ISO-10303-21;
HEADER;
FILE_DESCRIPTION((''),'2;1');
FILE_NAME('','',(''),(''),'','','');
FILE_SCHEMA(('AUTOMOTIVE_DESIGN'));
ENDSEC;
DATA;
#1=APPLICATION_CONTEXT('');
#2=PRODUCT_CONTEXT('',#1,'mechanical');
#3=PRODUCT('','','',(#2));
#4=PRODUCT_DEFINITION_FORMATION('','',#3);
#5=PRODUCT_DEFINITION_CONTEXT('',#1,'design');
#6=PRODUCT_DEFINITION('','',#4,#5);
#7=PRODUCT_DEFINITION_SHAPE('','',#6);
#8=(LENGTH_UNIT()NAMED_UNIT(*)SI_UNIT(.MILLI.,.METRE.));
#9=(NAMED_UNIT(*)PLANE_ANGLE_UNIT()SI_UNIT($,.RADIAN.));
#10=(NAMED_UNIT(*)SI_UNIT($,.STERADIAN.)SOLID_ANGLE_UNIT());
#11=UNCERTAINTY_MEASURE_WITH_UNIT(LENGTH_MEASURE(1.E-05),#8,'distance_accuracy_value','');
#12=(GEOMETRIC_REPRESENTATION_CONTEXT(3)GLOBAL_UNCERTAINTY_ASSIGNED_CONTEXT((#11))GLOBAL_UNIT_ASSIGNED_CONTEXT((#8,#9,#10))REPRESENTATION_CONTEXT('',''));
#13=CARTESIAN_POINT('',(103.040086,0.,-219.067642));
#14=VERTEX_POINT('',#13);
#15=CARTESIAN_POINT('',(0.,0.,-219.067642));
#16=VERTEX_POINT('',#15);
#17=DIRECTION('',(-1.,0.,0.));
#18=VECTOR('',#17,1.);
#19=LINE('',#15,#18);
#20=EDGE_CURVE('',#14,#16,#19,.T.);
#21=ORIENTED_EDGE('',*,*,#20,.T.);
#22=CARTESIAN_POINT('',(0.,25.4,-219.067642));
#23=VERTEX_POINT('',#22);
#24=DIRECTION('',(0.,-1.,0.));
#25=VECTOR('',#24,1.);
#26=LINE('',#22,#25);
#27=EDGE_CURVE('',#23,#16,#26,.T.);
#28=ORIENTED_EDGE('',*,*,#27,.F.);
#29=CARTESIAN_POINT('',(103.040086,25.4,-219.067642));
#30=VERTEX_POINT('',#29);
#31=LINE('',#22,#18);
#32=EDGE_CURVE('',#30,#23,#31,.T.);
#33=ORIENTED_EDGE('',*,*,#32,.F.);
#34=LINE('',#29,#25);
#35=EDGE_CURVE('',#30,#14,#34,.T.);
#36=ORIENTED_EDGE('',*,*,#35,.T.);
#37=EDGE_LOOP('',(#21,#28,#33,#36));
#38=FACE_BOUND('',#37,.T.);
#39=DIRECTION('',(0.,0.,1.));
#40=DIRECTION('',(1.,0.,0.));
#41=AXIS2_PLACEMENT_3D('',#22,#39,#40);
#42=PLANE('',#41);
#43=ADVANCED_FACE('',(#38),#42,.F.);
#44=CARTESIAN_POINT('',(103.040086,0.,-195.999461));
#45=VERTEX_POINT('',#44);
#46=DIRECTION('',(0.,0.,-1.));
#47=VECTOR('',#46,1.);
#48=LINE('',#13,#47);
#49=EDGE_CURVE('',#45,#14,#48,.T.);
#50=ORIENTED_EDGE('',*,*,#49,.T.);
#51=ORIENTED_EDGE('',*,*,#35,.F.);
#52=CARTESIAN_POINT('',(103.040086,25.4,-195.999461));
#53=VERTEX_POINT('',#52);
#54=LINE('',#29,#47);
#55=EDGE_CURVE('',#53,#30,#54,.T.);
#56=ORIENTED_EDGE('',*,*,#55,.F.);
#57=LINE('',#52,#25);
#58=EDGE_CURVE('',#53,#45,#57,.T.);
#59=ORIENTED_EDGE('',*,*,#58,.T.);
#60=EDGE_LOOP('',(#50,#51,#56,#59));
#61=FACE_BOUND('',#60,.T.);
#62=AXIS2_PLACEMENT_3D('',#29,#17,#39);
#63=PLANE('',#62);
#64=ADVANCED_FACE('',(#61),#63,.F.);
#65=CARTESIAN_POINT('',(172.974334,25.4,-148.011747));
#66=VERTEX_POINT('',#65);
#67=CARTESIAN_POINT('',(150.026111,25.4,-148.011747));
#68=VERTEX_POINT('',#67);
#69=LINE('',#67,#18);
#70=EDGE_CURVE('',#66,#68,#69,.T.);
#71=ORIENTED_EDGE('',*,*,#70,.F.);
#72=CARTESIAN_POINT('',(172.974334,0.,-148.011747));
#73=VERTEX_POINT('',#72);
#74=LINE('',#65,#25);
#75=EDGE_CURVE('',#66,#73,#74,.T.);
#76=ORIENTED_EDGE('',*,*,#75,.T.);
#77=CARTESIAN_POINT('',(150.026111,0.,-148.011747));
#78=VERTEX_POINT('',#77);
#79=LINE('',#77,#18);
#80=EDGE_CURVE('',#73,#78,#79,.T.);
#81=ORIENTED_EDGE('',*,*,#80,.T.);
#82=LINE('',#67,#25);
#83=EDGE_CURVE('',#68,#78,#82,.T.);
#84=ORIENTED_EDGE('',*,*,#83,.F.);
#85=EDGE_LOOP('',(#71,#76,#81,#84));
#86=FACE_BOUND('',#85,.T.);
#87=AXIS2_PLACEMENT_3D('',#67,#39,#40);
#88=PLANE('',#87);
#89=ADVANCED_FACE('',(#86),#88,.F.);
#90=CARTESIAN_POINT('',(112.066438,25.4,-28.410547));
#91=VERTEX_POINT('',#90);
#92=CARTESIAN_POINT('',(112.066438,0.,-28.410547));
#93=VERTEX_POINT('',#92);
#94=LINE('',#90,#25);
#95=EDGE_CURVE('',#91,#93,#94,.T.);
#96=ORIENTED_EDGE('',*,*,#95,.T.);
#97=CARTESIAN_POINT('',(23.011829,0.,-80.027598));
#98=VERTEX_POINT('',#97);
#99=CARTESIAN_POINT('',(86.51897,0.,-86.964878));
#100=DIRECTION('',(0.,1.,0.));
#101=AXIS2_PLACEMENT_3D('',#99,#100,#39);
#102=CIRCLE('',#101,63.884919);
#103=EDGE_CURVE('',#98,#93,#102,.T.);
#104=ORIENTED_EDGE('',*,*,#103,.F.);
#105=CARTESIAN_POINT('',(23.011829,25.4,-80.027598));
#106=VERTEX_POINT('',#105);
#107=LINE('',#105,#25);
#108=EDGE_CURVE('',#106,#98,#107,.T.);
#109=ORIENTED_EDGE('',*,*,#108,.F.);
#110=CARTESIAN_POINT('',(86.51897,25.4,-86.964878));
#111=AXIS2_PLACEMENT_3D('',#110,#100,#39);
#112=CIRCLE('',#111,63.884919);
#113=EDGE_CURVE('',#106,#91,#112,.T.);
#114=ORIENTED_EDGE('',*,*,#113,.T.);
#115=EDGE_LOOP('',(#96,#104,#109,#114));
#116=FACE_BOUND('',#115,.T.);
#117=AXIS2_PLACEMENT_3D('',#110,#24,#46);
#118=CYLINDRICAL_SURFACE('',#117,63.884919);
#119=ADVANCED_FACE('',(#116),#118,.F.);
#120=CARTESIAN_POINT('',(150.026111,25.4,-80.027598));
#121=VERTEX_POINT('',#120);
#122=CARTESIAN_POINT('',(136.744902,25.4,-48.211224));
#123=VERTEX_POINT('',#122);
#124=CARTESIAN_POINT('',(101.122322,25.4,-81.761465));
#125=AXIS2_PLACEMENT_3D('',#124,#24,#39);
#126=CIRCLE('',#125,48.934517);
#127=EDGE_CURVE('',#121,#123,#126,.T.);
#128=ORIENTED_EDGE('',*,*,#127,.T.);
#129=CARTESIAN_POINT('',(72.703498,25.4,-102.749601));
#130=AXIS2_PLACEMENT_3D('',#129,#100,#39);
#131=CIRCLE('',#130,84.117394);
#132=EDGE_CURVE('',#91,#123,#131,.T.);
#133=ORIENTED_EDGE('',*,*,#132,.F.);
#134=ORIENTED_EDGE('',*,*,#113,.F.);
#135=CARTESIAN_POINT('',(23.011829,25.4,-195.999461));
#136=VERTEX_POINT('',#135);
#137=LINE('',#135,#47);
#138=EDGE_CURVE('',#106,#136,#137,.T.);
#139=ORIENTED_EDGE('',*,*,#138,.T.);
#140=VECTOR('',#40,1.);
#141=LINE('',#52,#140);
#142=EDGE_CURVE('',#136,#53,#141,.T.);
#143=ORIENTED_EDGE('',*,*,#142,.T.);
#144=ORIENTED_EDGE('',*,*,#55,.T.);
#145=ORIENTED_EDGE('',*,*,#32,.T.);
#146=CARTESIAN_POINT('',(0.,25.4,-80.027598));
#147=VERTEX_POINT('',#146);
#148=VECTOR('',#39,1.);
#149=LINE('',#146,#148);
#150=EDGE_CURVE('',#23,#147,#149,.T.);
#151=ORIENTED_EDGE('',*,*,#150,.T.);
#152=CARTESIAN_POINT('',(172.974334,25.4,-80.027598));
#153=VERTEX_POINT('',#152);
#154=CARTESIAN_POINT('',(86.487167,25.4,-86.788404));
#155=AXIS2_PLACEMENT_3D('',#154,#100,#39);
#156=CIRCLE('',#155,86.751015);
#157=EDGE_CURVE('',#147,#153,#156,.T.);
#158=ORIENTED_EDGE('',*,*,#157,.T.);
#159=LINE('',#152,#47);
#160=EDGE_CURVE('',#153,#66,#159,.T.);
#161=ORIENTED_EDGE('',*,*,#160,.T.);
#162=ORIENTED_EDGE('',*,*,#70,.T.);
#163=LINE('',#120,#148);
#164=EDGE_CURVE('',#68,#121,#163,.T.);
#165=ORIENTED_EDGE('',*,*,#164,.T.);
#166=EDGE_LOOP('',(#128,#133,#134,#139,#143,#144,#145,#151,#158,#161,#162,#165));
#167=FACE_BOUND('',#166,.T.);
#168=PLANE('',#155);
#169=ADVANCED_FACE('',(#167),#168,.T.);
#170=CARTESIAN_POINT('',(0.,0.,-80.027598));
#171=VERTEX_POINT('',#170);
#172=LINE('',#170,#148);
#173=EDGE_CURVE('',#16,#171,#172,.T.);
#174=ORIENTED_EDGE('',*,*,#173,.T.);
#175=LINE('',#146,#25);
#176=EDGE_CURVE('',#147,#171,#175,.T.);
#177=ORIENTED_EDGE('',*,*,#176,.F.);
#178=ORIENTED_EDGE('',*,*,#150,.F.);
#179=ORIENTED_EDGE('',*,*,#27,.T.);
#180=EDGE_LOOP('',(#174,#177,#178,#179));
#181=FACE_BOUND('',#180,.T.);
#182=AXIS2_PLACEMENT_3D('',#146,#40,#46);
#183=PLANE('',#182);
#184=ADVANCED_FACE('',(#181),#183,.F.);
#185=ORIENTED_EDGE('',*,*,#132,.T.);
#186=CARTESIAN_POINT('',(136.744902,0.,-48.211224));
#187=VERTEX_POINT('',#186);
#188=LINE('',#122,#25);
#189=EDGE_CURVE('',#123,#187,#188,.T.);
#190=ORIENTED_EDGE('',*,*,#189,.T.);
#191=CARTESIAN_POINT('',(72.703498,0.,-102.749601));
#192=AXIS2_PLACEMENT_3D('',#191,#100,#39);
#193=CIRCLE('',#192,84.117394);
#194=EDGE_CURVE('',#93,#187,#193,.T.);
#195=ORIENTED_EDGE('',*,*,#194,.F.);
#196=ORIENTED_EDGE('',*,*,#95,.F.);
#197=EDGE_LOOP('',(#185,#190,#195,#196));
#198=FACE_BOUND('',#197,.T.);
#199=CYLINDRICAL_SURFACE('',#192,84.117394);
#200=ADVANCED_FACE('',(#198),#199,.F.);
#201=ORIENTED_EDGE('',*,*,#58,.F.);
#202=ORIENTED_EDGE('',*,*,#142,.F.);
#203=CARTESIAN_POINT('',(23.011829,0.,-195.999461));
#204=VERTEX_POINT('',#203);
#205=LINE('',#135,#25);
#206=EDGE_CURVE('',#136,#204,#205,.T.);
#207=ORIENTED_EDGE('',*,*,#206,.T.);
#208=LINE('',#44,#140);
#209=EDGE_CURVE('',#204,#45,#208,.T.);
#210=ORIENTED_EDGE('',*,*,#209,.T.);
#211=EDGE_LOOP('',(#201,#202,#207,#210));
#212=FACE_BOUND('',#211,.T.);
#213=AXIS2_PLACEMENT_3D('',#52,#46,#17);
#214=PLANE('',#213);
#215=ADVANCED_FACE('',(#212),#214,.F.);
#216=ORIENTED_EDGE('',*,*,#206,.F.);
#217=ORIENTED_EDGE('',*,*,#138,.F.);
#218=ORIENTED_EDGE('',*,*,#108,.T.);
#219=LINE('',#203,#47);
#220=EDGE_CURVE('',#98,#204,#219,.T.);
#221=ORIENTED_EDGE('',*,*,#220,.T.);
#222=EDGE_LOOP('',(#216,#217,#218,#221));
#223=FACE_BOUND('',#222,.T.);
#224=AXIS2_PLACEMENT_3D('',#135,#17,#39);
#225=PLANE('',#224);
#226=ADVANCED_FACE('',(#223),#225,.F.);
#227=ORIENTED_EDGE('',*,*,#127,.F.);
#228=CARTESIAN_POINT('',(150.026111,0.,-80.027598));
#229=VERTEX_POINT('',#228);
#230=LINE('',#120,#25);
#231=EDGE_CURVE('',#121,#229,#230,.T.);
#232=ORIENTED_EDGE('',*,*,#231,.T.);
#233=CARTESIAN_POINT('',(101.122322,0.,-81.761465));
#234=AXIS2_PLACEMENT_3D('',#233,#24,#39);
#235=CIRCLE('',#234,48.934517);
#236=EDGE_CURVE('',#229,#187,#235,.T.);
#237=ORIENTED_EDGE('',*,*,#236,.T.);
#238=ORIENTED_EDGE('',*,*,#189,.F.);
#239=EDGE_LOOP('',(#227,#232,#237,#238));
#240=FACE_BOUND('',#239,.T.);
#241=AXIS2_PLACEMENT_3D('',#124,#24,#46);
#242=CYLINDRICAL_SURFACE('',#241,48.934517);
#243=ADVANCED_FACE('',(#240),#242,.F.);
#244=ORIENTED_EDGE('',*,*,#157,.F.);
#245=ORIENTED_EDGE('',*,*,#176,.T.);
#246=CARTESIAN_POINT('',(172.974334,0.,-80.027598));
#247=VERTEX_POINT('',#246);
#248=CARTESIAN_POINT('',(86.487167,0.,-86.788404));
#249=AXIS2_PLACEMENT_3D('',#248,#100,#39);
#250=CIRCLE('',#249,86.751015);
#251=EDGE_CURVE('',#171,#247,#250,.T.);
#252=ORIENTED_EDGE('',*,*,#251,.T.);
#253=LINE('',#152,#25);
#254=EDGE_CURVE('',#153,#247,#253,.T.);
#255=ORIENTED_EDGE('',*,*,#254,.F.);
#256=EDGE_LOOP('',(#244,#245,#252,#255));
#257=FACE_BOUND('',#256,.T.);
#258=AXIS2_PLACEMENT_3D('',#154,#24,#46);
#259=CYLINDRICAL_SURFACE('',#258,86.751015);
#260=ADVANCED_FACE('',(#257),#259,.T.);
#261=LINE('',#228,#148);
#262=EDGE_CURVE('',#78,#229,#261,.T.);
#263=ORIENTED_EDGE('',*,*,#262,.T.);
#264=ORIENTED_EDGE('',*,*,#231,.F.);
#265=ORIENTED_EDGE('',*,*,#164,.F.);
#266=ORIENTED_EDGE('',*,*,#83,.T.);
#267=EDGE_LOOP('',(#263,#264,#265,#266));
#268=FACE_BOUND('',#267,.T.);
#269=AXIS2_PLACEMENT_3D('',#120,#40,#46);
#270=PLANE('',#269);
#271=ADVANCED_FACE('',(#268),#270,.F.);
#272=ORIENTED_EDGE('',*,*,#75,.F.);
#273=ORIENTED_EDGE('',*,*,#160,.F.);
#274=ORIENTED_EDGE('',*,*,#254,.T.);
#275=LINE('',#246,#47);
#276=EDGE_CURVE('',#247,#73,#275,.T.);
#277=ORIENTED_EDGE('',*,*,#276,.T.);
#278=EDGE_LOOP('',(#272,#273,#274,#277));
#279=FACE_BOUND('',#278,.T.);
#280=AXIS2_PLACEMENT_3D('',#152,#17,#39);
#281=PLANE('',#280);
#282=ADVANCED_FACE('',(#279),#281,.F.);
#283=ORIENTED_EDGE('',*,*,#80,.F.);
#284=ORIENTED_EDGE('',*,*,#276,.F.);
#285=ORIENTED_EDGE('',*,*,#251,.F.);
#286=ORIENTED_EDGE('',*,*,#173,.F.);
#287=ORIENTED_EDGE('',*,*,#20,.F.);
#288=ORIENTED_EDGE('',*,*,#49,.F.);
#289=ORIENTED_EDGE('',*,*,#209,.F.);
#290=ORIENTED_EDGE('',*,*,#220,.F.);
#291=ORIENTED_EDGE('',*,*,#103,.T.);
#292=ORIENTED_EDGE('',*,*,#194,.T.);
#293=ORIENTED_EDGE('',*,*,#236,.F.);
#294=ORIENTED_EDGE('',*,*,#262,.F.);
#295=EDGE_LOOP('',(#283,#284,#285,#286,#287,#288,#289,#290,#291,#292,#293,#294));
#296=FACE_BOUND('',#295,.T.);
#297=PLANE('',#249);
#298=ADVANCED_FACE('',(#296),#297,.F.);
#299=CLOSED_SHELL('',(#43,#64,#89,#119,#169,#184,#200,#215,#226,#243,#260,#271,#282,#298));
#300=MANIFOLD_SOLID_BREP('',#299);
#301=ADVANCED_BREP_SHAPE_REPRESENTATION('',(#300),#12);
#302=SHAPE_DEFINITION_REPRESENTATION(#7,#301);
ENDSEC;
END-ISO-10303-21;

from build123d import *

# Parameters (mm, degrees)
BOSS_EXTRUDE1_DEPTH     = 25.4
BOSS_EXTRUDE1_2_DEPTH   = 25.4
CUT_EXTRUDE1_DEPTH      = 281.867791968
CUT_EXTRUDE1_DEPTH_BACK = 281.867791968
SKETCH2_W               = 46.910236734
SKETCH2_H               = 46.937556504
CUT_EXTRUDE2_DEPTH      = 281.278275978
CUT_EXTRUDE2_DEPTH_BACK = 281.278275978


with BuildPart() as part:
    # Sketch1 → Boss-Extrude1 (new body)
    with BuildSketch(Plane(origin=(0, 0, 0), x_dir=(1, 0, 0), z_dir=(0, 1, 0))):
        with BuildLine():
            Line((0, 80.02759766), (0, 219.067642019))
            Line((0, 219.067642019), (103.040086398, 219.067642019))
            Line((103.040086398, 219.067642019), (103.040086398, 195.999460881))
            Line((103.040086398, 195.999460881), (23.011829096, 195.999460881))
            Line((23.011829096, 195.999460881), (23.011829096, 161.013213822))
            ThreePointArc((23.011829096, 161.013213822), (101.985495584, 126.901824422), (136.744902109, 48.211224327))
            ThreePointArc((136.744902109, 48.211224327), (146.280346481, 62.911008862), (150.026111113, 80.02759766))
            Line((150.026111113, 80.02759766), (150.026111113, 148.011746996))
            Line((150.026111113, 148.011746996), (172.974333949, 148.011746996))
            Line((172.974333949, 148.011746996), (172.974333949, 80.02759766))
            ThreePointArc((172.974333949, 80.02759766), (86.487166974, 0.037389651), (0, 80.02759766))
        make_face()
        with BuildLine():
            Line((23.011829096, 136.058182002), (23.011829096, 80.02759766))
            ThreePointArc((23.011829096, 80.02759766), (54.48283159, 31.69310754), (112.066438029, 28.410547154))
            ThreePointArc((112.066438029, 28.410547154), (90.841729512, 101.512108787), (23.011829096, 136.058182002))
        make_face(mode=Mode.SUBTRACT)
    extrude(amount=BOSS_EXTRUDE1_DEPTH)

    # Sketch3 → Cut-Extrude2 (cut, two sides: drawn at the far end of the back side and taken through both)
    with BuildSketch(Plane(origin=(0, 25.4, 0), x_dir=(1, 0, 0), z_dir=(0, 1, 0)).offset(-CUT_EXTRUDE2_DEPTH_BACK)):
        with BuildLine():
            Line((23.011829096, 161.013213822), (23.011829096, 136.058182002))
            ThreePointArc((23.011829096, 136.058182002), (90.841729512, 101.512108787), (112.066438029, 28.410547154))
            ThreePointArc((112.066438029, 28.410547154), (125.345033885, 37.140114863), (136.744902109, 48.211224327))
            ThreePointArc((136.744902109, 48.211224327), (101.985495584, 126.901824422), (23.011829096, 161.013213822))
        make_face()
    extrude(amount=CUT_EXTRUDE2_DEPTH + CUT_EXTRUDE2_DEPTH_BACK, mode=Mode.SUBTRACT)


with BuildPart() as body_2:
    # Sketch1 → Boss-Extrude1 2 (new body)
    with BuildSketch(Plane(origin=(0, 0, 0), x_dir=(1, 0, 0), z_dir=(0, 1, 0))):
        Polygon((173.927929859, 172.130085515), (150.026111113, 172.130085515), (150.026111113, 195.999460881), (127.017693125, 195.999460881), (127.017693125, 219.067642019), (173.927929859, 219.067642019), align=None)
    extrude(amount=BOSS_EXTRUDE1_2_DEPTH)

    # Sketch2 → Cut-Extrude1 (cut, two sides: drawn at the far end of the back side and taken through both)
    with BuildSketch(Plane(origin=(0, 25.4, 0), x_dir=(1, 0, 0), z_dir=(0, 1, 0)).offset(-CUT_EXTRUDE1_DEPTH_BACK)):
        with Locations((150.472811492, 195.598863767)):
            Rectangle(SKETCH2_W, SKETCH2_H)
    extrude(amount=CUT_EXTRUDE1_DEPTH + CUT_EXTRUDE1_DEPTH_BACK, mode=Mode.SUBTRACT)


solid = part.part
